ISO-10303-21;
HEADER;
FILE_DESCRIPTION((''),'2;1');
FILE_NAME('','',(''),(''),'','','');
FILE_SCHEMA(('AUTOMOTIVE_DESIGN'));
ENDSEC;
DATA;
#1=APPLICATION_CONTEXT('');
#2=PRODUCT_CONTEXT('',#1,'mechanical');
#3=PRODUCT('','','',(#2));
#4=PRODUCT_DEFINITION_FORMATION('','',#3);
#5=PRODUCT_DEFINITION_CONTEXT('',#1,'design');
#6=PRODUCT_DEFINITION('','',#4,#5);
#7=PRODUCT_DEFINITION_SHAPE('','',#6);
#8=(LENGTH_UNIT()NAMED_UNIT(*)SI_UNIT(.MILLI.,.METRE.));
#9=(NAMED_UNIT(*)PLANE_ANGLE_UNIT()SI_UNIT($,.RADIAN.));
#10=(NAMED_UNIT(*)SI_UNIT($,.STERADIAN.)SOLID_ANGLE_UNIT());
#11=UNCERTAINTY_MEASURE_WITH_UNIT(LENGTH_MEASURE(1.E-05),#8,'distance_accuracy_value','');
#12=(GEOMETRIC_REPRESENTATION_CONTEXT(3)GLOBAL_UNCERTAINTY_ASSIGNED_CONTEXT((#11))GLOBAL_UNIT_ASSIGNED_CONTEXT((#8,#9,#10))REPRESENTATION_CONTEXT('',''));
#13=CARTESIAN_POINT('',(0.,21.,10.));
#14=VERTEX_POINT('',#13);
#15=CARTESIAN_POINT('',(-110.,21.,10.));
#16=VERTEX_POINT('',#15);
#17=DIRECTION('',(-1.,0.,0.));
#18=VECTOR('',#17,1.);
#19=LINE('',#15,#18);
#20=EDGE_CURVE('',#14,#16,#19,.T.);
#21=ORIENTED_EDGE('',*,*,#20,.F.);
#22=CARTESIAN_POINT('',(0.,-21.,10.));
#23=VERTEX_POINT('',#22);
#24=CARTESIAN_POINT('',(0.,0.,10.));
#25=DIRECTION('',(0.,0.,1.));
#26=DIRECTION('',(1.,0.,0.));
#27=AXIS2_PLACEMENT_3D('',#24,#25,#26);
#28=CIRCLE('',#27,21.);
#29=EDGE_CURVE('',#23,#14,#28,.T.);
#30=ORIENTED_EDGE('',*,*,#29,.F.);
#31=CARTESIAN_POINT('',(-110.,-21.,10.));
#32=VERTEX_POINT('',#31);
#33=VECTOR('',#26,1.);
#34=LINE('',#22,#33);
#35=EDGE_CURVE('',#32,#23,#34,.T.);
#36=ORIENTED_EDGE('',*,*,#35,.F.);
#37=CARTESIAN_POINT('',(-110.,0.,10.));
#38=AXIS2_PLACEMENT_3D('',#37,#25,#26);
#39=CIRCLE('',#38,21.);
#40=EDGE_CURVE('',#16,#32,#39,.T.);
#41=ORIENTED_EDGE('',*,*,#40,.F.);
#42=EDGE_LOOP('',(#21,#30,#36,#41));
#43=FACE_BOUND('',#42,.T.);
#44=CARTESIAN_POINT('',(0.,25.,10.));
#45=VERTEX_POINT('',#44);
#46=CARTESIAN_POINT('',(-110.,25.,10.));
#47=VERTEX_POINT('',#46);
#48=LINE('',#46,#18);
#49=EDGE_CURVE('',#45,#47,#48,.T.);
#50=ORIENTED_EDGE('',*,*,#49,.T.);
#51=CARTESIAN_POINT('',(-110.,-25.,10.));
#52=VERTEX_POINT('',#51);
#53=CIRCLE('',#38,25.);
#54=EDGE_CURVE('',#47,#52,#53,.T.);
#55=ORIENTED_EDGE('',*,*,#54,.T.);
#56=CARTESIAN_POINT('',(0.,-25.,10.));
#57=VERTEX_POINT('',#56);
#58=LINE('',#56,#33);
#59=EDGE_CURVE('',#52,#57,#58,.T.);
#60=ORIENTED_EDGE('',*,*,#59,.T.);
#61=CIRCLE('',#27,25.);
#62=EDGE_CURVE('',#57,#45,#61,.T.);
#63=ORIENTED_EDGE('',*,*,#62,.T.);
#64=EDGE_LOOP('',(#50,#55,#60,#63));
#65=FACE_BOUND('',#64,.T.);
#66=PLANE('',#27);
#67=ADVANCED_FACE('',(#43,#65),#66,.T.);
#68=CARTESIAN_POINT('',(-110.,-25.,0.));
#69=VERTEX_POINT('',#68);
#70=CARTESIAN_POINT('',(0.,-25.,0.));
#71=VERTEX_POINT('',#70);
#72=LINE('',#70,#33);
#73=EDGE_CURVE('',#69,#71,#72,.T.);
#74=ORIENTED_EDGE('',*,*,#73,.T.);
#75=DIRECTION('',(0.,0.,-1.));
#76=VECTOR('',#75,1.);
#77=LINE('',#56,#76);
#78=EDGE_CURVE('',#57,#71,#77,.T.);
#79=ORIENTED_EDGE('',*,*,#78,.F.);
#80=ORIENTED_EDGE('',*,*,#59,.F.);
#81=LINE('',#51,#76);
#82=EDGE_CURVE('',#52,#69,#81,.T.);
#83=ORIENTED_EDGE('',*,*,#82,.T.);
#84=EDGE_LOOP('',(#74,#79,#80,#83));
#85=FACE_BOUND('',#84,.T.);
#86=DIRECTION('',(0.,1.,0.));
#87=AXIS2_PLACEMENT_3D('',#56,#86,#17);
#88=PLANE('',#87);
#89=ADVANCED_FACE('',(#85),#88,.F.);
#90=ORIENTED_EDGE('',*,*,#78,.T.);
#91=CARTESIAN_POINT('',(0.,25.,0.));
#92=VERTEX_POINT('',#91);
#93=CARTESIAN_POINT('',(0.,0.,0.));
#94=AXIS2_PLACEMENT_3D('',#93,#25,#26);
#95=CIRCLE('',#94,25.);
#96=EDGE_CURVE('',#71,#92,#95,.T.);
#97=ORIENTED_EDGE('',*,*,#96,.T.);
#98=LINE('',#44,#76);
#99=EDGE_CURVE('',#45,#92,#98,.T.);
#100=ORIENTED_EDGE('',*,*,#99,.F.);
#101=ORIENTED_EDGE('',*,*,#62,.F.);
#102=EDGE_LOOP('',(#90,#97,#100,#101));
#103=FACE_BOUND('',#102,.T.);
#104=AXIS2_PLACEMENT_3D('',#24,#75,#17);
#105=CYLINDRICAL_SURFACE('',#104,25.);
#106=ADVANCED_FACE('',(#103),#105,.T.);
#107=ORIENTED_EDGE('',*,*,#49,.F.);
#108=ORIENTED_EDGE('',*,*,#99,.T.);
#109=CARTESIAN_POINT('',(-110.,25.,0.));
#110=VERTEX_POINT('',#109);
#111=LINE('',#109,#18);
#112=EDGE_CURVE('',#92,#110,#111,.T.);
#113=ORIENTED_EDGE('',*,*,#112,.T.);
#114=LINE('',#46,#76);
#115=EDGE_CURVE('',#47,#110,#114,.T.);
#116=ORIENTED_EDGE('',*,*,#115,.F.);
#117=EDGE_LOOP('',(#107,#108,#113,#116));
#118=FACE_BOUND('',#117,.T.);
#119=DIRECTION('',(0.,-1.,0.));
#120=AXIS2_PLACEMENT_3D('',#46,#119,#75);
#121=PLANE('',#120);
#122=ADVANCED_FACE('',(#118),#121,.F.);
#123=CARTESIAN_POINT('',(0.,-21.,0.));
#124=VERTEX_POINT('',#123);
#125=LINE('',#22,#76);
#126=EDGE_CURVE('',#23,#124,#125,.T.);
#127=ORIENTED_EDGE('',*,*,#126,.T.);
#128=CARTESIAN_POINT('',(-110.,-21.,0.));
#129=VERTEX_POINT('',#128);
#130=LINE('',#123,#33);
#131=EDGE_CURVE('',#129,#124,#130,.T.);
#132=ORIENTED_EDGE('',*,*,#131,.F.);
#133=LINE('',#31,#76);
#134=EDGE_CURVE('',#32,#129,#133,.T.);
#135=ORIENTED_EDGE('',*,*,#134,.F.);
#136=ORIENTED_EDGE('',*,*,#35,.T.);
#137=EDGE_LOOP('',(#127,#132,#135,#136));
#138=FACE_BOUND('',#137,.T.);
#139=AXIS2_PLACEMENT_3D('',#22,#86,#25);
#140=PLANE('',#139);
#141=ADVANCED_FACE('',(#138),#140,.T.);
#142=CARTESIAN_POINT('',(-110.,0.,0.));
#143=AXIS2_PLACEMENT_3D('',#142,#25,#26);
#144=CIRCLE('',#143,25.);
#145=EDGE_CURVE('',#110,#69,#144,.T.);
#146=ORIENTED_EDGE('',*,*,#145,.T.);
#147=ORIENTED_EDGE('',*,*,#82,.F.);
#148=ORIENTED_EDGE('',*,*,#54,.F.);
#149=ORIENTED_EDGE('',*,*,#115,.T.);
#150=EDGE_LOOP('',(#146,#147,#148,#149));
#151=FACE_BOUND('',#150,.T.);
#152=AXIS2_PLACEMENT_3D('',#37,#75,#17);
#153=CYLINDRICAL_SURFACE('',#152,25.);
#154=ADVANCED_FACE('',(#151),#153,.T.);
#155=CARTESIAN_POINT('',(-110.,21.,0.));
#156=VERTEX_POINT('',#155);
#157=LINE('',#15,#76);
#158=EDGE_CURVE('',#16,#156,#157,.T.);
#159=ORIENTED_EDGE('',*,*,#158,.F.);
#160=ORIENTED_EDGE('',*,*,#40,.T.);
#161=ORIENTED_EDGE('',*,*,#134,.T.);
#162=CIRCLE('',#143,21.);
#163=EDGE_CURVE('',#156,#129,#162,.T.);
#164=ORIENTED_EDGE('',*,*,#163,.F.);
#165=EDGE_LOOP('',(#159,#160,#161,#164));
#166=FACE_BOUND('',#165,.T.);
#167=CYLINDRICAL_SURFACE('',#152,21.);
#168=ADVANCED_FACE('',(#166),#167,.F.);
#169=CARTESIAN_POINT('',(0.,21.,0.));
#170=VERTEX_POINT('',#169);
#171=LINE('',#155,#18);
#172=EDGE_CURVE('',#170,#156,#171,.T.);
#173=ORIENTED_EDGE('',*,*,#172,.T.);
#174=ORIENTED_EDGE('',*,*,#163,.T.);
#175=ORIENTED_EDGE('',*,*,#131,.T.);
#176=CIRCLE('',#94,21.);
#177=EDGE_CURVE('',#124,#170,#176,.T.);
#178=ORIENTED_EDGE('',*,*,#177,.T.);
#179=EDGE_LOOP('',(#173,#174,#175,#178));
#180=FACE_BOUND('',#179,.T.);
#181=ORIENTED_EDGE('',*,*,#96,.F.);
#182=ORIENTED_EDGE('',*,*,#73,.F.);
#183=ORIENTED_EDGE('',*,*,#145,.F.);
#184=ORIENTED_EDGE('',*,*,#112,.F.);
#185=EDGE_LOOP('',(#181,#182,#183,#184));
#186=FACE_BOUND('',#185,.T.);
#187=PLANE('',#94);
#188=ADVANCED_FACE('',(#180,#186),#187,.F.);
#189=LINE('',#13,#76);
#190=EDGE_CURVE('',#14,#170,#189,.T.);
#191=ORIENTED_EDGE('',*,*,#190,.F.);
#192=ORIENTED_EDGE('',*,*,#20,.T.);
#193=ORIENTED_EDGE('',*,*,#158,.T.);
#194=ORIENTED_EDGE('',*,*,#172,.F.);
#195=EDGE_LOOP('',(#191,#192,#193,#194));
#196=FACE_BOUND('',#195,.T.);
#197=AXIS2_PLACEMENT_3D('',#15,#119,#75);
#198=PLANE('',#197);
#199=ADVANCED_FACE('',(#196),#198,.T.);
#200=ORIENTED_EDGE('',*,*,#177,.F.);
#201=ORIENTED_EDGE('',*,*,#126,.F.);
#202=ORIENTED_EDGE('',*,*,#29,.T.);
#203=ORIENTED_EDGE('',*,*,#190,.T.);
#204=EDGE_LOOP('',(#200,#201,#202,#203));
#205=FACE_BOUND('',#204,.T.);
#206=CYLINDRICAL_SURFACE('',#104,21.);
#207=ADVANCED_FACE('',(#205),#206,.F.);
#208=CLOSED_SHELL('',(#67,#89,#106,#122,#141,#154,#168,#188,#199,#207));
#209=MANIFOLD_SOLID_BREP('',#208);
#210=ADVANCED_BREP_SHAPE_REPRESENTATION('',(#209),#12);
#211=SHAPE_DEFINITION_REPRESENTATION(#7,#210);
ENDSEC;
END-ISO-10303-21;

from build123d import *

# Parameters (mm, degrees)
BOSS_EXTRUDE1_DEPTH = 10


with BuildPart() as part:
    # Sketch3 → Boss-Extrude1 (new body)
    with BuildSketch(Plane.XY):
        with BuildLine():
            Line((0, -25), (-110, -25))
            ThreePointArc((-110, -25), (-135, 0), (-110, 25))
            Line((-110, 25), (0, 25))
            ThreePointArc((0, 25), (25, 0), (0, -25))
        make_face()
        with BuildLine():
            Line((0, -21), (-110, -21))
            ThreePointArc((-110, -21), (-131, 0), (-110, 21))
            Line((-110, 21), (0, 21))
            ThreePointArc((0, 21), (21, 0), (0, -21))
        make_face(mode=Mode.SUBTRACT)
    extrude(amount=BOSS_EXTRUDE1_DEPTH)


solid = part.part
